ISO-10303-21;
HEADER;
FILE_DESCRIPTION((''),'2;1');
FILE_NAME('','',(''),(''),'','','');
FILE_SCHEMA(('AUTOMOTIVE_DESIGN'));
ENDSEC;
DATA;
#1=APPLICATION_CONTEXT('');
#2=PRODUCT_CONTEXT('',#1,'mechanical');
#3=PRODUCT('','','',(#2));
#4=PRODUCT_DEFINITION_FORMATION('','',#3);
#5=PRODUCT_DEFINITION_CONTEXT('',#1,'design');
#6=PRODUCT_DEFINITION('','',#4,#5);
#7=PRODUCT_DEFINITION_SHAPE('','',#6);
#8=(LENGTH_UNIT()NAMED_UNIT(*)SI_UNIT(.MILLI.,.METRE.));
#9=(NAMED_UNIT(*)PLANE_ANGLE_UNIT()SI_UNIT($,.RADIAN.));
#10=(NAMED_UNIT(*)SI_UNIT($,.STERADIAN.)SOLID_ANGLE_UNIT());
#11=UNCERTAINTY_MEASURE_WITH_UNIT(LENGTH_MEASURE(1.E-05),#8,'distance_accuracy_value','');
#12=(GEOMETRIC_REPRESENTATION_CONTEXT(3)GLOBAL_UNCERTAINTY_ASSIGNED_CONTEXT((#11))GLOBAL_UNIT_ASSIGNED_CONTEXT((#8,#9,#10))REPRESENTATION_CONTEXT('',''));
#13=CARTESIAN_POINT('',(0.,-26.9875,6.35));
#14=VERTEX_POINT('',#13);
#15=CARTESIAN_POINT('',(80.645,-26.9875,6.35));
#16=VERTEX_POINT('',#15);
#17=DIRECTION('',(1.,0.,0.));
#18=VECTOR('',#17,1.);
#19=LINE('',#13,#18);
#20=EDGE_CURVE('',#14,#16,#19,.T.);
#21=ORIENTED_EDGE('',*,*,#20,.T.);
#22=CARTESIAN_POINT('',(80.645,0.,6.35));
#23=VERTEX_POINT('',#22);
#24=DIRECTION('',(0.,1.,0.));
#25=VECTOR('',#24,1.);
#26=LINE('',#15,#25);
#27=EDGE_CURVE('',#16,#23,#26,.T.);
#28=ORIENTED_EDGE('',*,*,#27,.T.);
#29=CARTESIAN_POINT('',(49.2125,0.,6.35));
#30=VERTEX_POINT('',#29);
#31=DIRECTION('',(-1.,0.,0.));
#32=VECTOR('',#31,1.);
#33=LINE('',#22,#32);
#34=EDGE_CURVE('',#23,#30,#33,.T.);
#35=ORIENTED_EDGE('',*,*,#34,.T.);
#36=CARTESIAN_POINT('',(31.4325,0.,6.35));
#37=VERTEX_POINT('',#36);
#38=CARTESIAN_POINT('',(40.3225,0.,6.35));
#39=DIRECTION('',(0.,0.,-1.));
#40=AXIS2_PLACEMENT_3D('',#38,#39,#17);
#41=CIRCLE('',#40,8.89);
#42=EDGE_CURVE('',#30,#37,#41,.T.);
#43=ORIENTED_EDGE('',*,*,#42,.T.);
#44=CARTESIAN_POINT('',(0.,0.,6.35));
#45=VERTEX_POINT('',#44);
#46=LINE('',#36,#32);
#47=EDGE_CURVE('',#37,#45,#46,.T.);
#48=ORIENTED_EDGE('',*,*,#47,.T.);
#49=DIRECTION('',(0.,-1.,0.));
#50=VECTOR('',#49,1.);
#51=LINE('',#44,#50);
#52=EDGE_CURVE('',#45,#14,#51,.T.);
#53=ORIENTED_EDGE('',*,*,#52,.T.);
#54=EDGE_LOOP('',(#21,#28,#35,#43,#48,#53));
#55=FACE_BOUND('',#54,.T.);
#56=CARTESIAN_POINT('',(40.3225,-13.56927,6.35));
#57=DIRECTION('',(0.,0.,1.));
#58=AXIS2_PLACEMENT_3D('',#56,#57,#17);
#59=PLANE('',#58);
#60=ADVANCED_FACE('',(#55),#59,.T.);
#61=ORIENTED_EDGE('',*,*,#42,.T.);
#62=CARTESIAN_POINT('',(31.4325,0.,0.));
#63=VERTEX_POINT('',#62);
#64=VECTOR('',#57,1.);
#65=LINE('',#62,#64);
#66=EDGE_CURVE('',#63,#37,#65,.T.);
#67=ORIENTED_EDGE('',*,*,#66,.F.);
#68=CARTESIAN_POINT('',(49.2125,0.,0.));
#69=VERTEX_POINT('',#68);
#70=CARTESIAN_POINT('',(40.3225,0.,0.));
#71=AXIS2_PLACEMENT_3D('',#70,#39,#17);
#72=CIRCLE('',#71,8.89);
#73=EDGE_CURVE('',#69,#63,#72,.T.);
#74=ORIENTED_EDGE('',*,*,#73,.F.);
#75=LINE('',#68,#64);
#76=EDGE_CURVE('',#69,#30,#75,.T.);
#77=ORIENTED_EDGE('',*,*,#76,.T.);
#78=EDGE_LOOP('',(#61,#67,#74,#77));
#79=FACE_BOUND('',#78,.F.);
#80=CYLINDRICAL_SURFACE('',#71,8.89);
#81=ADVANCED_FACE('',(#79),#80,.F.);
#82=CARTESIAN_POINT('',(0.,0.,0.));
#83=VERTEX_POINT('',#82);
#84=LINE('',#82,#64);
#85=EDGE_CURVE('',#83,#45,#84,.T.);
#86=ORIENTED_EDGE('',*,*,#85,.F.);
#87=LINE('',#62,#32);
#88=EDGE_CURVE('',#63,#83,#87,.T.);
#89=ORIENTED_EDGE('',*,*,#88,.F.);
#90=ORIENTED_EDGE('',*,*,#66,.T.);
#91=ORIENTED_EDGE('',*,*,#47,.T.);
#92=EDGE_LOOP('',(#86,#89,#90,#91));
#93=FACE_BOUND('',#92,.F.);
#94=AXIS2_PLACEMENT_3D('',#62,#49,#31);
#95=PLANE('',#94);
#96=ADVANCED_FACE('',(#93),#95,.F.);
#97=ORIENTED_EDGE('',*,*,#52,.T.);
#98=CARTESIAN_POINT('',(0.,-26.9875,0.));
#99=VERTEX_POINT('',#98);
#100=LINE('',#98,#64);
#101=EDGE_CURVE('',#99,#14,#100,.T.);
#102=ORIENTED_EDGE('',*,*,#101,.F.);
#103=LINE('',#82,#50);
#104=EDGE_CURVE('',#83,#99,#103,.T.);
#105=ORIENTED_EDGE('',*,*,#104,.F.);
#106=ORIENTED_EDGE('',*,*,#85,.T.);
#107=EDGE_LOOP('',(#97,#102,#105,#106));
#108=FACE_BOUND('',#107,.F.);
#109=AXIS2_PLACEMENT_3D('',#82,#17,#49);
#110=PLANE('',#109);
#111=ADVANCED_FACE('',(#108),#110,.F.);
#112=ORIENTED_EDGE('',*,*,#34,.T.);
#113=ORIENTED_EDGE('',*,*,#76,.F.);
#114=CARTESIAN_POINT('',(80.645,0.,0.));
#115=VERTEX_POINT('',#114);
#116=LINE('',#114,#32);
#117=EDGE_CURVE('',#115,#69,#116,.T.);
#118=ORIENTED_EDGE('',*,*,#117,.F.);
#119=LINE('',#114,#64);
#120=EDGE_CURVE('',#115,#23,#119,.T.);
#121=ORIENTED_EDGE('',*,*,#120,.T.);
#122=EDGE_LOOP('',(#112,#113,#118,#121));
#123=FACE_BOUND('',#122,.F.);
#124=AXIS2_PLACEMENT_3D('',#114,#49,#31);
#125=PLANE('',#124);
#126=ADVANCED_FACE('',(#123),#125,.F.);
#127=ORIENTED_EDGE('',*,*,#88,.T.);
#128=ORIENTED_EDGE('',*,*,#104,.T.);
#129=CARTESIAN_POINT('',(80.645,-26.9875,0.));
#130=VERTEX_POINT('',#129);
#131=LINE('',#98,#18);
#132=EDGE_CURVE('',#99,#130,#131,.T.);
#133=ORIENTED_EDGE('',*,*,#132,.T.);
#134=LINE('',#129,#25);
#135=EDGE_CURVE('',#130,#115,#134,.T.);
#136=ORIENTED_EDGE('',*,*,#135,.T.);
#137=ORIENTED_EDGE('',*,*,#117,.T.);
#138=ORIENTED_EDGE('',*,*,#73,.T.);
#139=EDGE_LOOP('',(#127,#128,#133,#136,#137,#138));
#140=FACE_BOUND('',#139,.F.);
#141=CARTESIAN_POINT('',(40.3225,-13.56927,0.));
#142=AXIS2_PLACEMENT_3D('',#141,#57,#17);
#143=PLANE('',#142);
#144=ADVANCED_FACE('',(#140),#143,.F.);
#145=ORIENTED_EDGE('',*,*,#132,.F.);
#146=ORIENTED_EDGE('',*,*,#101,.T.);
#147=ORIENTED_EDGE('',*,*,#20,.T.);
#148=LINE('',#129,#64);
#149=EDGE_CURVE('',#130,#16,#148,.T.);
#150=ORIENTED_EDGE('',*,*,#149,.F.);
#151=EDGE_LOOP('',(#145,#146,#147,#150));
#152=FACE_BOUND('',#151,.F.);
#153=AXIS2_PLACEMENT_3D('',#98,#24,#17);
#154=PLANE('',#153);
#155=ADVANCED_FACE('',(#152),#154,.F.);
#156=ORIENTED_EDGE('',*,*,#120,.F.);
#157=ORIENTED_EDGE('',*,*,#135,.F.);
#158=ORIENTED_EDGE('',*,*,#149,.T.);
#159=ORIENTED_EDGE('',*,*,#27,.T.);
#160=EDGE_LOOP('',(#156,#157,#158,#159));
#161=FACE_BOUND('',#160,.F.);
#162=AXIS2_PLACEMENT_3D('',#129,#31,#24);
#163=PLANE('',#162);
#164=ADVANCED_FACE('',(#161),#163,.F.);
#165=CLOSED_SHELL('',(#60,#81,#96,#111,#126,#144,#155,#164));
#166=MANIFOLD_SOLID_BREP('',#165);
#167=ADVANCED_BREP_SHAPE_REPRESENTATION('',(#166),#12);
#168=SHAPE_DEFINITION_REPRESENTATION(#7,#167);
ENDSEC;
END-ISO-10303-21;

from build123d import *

# Parameters (mm, degrees)
F1_DEPTH = 6.35


with BuildPart() as f1:
    # F0 (on Top) → F1 (new body)
    with BuildSketch(Plane.XY):
        with BuildLine():
            Line((31.4325, 0), (0, 0))
            Line((0, 0), (0, -26.9875))
            Line((0, -26.9875), (80.645, -26.9875))
            Line((80.645, -26.9875), (80.645, 0))
            Line((80.645, 0), (49.2125, 0))
            ThreePointArc((49.2125, 0), (40.3225, -8.89), (31.4325, 0))
        make_face()
    extrude(amount=F1_DEPTH)


solid = f1.part
